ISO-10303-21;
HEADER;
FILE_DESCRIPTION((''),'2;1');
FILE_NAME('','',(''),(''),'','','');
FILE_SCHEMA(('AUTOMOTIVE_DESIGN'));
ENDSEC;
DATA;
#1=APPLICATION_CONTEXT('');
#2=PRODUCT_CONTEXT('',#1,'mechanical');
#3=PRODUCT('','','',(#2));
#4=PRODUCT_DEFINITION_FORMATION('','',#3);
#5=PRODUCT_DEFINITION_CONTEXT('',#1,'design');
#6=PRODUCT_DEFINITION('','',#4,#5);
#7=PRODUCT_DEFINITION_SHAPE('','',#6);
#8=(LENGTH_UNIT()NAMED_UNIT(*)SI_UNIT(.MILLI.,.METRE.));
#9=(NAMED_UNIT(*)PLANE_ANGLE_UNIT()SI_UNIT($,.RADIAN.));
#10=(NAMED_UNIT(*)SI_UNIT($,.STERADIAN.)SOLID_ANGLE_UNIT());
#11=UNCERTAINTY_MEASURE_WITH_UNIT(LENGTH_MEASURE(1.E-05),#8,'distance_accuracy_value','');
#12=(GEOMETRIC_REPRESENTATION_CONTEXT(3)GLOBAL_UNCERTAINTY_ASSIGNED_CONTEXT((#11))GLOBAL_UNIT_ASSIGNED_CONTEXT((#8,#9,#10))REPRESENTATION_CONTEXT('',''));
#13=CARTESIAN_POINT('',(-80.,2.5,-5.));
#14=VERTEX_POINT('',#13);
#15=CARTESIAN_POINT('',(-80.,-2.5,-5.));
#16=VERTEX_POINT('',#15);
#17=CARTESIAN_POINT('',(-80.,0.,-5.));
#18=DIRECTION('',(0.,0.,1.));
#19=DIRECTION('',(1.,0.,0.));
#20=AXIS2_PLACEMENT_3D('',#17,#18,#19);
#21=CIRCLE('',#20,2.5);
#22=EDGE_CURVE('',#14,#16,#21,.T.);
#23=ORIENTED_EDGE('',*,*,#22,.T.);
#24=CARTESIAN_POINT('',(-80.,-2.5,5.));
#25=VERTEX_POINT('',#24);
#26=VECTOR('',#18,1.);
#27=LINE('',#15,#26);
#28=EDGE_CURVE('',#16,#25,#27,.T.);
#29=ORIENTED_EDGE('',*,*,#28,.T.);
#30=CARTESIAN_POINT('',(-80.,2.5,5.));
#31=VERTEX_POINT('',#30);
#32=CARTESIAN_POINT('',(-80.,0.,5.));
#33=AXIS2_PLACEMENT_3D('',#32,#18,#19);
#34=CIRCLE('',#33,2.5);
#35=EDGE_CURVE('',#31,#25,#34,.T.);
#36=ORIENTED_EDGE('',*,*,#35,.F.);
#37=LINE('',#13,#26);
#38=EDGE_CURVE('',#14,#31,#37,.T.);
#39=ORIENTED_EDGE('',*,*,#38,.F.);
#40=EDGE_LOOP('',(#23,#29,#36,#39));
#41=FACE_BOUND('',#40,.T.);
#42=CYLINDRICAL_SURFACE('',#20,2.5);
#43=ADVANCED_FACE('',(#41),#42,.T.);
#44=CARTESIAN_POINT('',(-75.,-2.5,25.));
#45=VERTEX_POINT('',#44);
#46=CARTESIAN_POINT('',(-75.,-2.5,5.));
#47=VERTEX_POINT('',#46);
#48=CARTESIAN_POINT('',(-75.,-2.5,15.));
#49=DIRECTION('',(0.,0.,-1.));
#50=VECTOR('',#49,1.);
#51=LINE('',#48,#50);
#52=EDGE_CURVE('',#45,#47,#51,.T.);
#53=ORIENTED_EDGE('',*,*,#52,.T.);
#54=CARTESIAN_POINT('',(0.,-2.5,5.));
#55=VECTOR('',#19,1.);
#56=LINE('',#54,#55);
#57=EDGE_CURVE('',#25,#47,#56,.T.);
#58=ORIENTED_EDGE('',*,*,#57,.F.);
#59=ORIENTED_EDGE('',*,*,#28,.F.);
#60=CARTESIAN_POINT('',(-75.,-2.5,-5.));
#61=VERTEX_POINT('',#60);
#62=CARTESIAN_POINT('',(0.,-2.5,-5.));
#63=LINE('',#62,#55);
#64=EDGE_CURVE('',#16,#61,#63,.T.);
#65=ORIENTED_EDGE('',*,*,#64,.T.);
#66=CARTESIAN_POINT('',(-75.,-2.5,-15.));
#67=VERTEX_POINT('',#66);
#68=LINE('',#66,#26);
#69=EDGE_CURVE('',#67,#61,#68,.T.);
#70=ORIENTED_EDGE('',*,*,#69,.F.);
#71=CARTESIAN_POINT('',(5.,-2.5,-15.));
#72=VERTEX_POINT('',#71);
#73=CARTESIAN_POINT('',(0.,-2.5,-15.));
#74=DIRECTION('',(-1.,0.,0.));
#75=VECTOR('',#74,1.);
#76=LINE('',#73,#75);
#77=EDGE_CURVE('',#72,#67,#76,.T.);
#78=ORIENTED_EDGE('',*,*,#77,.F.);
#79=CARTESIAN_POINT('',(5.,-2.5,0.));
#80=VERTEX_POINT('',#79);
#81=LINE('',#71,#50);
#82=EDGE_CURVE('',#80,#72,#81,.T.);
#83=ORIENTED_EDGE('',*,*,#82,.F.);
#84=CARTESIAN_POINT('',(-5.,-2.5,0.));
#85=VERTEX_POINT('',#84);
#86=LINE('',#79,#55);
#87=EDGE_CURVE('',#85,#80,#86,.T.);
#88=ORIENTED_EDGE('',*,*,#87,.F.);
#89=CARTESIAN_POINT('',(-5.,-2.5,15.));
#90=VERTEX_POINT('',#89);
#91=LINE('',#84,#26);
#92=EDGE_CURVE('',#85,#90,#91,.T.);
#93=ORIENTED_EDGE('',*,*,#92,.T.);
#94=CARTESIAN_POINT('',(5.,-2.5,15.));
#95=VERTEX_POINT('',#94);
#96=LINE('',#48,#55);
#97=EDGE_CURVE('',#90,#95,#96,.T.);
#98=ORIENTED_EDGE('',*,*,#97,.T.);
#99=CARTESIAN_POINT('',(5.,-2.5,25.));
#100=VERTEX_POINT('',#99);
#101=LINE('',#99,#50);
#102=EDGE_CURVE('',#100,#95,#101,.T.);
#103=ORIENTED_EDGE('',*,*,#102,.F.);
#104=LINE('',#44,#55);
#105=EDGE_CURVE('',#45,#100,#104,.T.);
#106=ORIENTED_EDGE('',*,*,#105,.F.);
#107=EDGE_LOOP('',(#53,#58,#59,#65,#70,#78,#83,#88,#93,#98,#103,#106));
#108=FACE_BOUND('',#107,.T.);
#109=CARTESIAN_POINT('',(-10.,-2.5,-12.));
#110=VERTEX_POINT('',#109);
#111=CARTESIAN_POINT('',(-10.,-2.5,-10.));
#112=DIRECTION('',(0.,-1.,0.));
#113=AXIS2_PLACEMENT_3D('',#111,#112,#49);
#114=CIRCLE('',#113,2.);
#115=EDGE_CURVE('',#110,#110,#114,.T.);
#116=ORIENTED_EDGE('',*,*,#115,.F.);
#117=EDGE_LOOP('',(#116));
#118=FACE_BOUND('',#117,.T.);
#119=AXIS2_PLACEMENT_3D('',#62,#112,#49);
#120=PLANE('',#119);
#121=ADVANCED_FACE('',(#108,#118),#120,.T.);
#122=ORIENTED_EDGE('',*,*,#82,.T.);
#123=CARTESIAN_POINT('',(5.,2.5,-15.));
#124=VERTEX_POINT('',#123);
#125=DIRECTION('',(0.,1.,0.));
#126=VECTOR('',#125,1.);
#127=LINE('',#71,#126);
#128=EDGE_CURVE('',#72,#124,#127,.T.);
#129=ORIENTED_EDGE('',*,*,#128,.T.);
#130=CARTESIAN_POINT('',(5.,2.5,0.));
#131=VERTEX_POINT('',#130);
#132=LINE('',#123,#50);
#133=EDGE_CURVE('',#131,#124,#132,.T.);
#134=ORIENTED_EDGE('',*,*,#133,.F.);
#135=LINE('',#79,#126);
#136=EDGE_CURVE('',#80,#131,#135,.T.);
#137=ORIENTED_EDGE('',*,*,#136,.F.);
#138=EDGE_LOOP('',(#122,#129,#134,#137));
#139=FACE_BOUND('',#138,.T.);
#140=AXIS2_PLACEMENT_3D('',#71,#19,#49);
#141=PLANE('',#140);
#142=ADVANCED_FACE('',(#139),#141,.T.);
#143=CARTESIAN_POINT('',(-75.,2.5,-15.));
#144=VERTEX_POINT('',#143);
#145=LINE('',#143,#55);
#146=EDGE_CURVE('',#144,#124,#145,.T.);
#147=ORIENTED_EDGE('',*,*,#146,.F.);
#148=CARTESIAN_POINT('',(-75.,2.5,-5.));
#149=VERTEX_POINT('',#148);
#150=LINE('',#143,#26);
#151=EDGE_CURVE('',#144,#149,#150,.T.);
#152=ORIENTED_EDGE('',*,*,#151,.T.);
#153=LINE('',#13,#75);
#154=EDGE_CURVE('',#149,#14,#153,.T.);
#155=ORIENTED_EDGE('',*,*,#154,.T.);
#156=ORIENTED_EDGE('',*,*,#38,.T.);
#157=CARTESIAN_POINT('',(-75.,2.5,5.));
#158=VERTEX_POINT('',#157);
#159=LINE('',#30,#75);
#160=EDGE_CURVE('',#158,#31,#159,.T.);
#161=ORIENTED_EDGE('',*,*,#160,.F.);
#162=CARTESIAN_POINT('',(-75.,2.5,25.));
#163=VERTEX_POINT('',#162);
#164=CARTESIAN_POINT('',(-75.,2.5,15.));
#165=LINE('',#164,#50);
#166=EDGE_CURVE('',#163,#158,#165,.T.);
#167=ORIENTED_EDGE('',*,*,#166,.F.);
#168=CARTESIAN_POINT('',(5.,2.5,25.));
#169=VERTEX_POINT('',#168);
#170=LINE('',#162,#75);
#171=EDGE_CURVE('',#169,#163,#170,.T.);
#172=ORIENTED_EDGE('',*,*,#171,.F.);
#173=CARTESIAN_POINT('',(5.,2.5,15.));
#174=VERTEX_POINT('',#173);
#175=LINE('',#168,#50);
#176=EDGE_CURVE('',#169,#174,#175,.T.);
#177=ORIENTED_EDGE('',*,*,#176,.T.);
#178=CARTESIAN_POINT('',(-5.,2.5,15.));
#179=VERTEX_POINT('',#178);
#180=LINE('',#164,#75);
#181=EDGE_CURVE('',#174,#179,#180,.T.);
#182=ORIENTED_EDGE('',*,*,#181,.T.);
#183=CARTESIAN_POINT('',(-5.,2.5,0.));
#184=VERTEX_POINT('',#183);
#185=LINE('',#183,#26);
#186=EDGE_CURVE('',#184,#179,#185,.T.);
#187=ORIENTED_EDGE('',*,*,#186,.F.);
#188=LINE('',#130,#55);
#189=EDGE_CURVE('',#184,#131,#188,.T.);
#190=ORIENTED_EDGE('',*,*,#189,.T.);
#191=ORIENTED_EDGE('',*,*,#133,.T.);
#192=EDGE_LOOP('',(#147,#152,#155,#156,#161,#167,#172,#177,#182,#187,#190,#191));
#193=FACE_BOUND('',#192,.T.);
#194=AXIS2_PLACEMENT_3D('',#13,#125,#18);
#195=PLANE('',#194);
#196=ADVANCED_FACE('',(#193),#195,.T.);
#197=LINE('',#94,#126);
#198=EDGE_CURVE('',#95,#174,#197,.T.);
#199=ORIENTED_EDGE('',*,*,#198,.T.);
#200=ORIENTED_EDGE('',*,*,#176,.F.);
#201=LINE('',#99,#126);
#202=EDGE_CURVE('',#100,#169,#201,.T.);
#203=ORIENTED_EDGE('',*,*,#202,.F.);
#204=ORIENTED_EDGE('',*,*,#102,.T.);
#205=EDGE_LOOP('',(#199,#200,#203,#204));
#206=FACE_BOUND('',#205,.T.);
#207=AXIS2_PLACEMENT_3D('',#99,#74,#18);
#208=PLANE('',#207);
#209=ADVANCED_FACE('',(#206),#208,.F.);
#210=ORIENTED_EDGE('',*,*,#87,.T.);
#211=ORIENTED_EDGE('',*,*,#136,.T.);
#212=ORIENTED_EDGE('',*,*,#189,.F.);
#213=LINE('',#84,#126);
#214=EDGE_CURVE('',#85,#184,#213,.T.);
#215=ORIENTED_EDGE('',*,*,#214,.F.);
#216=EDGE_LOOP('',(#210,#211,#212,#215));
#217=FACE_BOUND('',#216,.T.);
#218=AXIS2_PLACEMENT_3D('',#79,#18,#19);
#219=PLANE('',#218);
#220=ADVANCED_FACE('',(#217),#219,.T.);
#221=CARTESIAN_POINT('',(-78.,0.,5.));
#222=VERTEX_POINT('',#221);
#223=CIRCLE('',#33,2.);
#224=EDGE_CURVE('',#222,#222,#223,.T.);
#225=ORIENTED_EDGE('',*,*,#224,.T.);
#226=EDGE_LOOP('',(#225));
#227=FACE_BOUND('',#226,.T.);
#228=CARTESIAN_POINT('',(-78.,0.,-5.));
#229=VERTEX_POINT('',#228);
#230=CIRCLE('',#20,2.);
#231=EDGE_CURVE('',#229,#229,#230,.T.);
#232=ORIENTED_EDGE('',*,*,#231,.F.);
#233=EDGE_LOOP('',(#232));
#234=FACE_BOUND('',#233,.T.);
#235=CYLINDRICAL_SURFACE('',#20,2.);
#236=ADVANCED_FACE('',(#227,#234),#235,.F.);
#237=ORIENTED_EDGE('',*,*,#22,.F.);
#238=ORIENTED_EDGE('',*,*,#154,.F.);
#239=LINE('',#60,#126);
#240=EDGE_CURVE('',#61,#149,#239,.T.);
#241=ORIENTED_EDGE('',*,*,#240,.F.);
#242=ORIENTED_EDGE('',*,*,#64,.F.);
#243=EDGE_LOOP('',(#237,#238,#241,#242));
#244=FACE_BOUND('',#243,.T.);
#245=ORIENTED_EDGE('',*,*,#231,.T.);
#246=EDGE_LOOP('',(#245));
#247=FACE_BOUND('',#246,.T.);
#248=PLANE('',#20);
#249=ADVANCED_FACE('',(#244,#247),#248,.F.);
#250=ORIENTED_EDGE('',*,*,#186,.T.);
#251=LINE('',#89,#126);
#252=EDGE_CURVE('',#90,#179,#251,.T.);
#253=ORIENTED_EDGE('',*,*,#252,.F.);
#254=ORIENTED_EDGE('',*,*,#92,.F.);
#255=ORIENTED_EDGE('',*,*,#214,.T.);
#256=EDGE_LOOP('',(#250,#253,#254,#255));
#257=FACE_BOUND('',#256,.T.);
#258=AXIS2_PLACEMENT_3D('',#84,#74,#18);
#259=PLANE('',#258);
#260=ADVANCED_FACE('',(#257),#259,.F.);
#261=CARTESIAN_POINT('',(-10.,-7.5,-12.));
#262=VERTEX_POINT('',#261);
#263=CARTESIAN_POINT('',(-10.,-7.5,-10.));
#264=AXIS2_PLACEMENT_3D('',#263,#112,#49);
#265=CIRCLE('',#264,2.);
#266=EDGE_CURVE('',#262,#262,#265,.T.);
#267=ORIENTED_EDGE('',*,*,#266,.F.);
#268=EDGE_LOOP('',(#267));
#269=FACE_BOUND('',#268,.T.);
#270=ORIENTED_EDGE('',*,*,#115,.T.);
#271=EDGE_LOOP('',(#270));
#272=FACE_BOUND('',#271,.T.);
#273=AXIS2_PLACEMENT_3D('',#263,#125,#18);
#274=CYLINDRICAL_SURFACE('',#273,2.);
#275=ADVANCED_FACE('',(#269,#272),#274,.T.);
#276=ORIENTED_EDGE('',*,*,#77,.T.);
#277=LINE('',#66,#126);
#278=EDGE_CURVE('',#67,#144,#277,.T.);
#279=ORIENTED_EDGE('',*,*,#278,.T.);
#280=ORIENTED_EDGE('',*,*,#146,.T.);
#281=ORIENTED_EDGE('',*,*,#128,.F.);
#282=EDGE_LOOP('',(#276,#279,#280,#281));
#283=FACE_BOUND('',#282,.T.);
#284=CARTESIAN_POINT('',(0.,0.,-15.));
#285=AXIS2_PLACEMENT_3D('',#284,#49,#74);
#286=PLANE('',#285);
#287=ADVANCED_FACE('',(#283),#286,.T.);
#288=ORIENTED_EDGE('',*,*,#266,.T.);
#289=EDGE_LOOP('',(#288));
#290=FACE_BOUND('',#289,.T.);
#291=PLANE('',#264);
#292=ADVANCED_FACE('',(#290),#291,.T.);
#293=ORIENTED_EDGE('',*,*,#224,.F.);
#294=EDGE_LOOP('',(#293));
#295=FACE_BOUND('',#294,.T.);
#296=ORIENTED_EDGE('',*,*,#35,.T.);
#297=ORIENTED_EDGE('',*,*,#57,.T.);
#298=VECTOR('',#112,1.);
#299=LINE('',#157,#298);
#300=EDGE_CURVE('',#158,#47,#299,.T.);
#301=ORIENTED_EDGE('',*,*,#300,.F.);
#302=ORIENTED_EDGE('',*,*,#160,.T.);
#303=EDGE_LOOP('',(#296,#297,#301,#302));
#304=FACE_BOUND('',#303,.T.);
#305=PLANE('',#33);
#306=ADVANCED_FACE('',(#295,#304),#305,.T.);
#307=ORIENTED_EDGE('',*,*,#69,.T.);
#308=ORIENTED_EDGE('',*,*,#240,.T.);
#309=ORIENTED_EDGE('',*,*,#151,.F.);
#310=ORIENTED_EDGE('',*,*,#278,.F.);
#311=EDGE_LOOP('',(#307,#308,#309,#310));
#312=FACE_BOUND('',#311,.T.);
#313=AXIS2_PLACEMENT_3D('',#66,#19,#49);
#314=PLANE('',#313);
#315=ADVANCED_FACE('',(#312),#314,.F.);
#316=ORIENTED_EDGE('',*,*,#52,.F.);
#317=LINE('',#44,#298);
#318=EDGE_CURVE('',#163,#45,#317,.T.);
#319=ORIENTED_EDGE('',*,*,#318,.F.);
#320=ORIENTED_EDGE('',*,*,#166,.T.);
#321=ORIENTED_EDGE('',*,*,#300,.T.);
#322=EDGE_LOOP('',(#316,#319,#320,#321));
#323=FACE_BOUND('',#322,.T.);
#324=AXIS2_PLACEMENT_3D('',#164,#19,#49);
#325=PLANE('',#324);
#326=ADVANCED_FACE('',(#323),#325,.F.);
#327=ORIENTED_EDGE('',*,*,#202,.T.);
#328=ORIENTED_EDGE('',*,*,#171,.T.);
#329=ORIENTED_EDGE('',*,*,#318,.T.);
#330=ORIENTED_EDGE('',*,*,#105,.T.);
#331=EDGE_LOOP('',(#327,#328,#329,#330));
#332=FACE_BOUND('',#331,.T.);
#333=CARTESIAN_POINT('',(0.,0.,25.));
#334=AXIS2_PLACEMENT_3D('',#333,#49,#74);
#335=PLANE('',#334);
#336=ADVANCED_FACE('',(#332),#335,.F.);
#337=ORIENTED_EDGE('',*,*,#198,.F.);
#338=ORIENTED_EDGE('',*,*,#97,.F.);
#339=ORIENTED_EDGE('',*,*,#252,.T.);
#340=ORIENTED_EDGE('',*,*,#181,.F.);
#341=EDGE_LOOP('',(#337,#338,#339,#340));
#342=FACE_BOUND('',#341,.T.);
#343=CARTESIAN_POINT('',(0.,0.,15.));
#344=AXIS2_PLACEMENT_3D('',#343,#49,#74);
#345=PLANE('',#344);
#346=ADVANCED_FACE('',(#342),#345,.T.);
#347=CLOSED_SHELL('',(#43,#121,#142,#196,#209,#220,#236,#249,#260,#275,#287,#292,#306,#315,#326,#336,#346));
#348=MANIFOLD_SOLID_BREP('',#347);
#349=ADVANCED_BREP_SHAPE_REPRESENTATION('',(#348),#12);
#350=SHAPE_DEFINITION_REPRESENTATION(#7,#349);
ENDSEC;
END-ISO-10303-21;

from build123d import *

# Parameters (mm, degrees)
BASE_DEPTH         = 5
BASE_DEPTH_BACK    = 5
ESQUISSE1_R        = 2
ESQUISSE2_W        = 75
ESQUISSE2_H        = 5
BOSS_GRAND_DEPTH   = 10
ESQUISSE3_W        = 75
ESQUISSE3_H        = 5
BOSS_PETIT_DEPTH   = 10
ESQUISSE4_W        = 5
ESQUISSE4_H        = 15
BLOQUER_DEPTH      = 5
ESQUISSE5_W        = 5
ESQUISSE5_H        = 15
VIDE_BLOQUER_DEPTH = 5
ESQUISSE6_W        = 80
ESQUISSE6_H        = 5
BOSSE_BAS_DEPTH    = 10
ESQUISSE7_R        = 2
BOSS_EXTRU_6_DEPTH = 5


with BuildPart() as part:
    # Esquisse1 → BASE (new, two sides: drawn at the far end of the back side and taken through both)
    with BuildSketch(Plane.XY.offset(-BASE_DEPTH_BACK)):
        with BuildLine():
            Line((-80, 2.5), (0, 2.5))
            Line((0, 2.5), (0, -2.5))
            Line((0, -2.5), (-80, -2.5))
            ThreePointArc((-80, -2.5), (-82.5, 0), (-80, 2.5))
        make_face()
        with Locations((-80, 0)):
            Circle(ESQUISSE1_R, mode=Mode.SUBTRACT)
    extrude(amount=BASE_DEPTH + BASE_DEPTH_BACK)

    # Esquisse2 → BOSS GRAND (add)
    with BuildSketch(Plane.XY.offset(5)):
        with Locations((-37.5, 0)):
            Rectangle(ESQUISSE2_W, ESQUISSE2_H)
    extrude(amount=BOSS_GRAND_DEPTH)

    # Esquisse3 → BOSS PETIT (add)
    with BuildSketch(Plane(origin=(0, 0, -5), x_dir=(-1, 0, 0), z_dir=(0, 0, -1))):
        with Locations((37.5, 0)):
            Rectangle(ESQUISSE3_W, ESQUISSE3_H)
    extrude(amount=BOSS_PETIT_DEPTH)

    # Esquisse4 → BLOQUER (add)
    with BuildSketch(Plane(origin=(0, 2.5, 0), x_dir=(1, 0, 0), z_dir=(0, 1, 0))):
        with Locations((2.5, 7.5)):
            Rectangle(ESQUISSE4_W, ESQUISSE4_H)
    extrude(amount=-BLOQUER_DEPTH)

    # Esquisse5 → VIDE BLOQUER (cut)
    with BuildSketch(Plane(origin=(0, 2.5, 0), x_dir=(1, 0, 0), z_dir=(0, 1, 0))):
        with Locations((-2.5, -7.5)):
            Rectangle(ESQUISSE5_W, ESQUISSE5_H)
    extrude(amount=-VIDE_BLOQUER_DEPTH, mode=Mode.SUBTRACT)

    # Esquisse6 → BOSSE BAS (add)
    with BuildSketch(Plane.XY.offset(15)):
        with Locations((-35, 0)):
            Rectangle(ESQUISSE6_W, ESQUISSE6_H)
    extrude(amount=BOSSE_BAS_DEPTH)

    # Esquisse7 → Boss.-Extru.6 (add)
    with BuildSketch(Plane.XZ.offset(2.5)):
        with Locations((-10, -10)):
            Circle(ESQUISSE7_R)
    extrude(amount=BOSS_EXTRU_6_DEPTH)


solid = part.part
